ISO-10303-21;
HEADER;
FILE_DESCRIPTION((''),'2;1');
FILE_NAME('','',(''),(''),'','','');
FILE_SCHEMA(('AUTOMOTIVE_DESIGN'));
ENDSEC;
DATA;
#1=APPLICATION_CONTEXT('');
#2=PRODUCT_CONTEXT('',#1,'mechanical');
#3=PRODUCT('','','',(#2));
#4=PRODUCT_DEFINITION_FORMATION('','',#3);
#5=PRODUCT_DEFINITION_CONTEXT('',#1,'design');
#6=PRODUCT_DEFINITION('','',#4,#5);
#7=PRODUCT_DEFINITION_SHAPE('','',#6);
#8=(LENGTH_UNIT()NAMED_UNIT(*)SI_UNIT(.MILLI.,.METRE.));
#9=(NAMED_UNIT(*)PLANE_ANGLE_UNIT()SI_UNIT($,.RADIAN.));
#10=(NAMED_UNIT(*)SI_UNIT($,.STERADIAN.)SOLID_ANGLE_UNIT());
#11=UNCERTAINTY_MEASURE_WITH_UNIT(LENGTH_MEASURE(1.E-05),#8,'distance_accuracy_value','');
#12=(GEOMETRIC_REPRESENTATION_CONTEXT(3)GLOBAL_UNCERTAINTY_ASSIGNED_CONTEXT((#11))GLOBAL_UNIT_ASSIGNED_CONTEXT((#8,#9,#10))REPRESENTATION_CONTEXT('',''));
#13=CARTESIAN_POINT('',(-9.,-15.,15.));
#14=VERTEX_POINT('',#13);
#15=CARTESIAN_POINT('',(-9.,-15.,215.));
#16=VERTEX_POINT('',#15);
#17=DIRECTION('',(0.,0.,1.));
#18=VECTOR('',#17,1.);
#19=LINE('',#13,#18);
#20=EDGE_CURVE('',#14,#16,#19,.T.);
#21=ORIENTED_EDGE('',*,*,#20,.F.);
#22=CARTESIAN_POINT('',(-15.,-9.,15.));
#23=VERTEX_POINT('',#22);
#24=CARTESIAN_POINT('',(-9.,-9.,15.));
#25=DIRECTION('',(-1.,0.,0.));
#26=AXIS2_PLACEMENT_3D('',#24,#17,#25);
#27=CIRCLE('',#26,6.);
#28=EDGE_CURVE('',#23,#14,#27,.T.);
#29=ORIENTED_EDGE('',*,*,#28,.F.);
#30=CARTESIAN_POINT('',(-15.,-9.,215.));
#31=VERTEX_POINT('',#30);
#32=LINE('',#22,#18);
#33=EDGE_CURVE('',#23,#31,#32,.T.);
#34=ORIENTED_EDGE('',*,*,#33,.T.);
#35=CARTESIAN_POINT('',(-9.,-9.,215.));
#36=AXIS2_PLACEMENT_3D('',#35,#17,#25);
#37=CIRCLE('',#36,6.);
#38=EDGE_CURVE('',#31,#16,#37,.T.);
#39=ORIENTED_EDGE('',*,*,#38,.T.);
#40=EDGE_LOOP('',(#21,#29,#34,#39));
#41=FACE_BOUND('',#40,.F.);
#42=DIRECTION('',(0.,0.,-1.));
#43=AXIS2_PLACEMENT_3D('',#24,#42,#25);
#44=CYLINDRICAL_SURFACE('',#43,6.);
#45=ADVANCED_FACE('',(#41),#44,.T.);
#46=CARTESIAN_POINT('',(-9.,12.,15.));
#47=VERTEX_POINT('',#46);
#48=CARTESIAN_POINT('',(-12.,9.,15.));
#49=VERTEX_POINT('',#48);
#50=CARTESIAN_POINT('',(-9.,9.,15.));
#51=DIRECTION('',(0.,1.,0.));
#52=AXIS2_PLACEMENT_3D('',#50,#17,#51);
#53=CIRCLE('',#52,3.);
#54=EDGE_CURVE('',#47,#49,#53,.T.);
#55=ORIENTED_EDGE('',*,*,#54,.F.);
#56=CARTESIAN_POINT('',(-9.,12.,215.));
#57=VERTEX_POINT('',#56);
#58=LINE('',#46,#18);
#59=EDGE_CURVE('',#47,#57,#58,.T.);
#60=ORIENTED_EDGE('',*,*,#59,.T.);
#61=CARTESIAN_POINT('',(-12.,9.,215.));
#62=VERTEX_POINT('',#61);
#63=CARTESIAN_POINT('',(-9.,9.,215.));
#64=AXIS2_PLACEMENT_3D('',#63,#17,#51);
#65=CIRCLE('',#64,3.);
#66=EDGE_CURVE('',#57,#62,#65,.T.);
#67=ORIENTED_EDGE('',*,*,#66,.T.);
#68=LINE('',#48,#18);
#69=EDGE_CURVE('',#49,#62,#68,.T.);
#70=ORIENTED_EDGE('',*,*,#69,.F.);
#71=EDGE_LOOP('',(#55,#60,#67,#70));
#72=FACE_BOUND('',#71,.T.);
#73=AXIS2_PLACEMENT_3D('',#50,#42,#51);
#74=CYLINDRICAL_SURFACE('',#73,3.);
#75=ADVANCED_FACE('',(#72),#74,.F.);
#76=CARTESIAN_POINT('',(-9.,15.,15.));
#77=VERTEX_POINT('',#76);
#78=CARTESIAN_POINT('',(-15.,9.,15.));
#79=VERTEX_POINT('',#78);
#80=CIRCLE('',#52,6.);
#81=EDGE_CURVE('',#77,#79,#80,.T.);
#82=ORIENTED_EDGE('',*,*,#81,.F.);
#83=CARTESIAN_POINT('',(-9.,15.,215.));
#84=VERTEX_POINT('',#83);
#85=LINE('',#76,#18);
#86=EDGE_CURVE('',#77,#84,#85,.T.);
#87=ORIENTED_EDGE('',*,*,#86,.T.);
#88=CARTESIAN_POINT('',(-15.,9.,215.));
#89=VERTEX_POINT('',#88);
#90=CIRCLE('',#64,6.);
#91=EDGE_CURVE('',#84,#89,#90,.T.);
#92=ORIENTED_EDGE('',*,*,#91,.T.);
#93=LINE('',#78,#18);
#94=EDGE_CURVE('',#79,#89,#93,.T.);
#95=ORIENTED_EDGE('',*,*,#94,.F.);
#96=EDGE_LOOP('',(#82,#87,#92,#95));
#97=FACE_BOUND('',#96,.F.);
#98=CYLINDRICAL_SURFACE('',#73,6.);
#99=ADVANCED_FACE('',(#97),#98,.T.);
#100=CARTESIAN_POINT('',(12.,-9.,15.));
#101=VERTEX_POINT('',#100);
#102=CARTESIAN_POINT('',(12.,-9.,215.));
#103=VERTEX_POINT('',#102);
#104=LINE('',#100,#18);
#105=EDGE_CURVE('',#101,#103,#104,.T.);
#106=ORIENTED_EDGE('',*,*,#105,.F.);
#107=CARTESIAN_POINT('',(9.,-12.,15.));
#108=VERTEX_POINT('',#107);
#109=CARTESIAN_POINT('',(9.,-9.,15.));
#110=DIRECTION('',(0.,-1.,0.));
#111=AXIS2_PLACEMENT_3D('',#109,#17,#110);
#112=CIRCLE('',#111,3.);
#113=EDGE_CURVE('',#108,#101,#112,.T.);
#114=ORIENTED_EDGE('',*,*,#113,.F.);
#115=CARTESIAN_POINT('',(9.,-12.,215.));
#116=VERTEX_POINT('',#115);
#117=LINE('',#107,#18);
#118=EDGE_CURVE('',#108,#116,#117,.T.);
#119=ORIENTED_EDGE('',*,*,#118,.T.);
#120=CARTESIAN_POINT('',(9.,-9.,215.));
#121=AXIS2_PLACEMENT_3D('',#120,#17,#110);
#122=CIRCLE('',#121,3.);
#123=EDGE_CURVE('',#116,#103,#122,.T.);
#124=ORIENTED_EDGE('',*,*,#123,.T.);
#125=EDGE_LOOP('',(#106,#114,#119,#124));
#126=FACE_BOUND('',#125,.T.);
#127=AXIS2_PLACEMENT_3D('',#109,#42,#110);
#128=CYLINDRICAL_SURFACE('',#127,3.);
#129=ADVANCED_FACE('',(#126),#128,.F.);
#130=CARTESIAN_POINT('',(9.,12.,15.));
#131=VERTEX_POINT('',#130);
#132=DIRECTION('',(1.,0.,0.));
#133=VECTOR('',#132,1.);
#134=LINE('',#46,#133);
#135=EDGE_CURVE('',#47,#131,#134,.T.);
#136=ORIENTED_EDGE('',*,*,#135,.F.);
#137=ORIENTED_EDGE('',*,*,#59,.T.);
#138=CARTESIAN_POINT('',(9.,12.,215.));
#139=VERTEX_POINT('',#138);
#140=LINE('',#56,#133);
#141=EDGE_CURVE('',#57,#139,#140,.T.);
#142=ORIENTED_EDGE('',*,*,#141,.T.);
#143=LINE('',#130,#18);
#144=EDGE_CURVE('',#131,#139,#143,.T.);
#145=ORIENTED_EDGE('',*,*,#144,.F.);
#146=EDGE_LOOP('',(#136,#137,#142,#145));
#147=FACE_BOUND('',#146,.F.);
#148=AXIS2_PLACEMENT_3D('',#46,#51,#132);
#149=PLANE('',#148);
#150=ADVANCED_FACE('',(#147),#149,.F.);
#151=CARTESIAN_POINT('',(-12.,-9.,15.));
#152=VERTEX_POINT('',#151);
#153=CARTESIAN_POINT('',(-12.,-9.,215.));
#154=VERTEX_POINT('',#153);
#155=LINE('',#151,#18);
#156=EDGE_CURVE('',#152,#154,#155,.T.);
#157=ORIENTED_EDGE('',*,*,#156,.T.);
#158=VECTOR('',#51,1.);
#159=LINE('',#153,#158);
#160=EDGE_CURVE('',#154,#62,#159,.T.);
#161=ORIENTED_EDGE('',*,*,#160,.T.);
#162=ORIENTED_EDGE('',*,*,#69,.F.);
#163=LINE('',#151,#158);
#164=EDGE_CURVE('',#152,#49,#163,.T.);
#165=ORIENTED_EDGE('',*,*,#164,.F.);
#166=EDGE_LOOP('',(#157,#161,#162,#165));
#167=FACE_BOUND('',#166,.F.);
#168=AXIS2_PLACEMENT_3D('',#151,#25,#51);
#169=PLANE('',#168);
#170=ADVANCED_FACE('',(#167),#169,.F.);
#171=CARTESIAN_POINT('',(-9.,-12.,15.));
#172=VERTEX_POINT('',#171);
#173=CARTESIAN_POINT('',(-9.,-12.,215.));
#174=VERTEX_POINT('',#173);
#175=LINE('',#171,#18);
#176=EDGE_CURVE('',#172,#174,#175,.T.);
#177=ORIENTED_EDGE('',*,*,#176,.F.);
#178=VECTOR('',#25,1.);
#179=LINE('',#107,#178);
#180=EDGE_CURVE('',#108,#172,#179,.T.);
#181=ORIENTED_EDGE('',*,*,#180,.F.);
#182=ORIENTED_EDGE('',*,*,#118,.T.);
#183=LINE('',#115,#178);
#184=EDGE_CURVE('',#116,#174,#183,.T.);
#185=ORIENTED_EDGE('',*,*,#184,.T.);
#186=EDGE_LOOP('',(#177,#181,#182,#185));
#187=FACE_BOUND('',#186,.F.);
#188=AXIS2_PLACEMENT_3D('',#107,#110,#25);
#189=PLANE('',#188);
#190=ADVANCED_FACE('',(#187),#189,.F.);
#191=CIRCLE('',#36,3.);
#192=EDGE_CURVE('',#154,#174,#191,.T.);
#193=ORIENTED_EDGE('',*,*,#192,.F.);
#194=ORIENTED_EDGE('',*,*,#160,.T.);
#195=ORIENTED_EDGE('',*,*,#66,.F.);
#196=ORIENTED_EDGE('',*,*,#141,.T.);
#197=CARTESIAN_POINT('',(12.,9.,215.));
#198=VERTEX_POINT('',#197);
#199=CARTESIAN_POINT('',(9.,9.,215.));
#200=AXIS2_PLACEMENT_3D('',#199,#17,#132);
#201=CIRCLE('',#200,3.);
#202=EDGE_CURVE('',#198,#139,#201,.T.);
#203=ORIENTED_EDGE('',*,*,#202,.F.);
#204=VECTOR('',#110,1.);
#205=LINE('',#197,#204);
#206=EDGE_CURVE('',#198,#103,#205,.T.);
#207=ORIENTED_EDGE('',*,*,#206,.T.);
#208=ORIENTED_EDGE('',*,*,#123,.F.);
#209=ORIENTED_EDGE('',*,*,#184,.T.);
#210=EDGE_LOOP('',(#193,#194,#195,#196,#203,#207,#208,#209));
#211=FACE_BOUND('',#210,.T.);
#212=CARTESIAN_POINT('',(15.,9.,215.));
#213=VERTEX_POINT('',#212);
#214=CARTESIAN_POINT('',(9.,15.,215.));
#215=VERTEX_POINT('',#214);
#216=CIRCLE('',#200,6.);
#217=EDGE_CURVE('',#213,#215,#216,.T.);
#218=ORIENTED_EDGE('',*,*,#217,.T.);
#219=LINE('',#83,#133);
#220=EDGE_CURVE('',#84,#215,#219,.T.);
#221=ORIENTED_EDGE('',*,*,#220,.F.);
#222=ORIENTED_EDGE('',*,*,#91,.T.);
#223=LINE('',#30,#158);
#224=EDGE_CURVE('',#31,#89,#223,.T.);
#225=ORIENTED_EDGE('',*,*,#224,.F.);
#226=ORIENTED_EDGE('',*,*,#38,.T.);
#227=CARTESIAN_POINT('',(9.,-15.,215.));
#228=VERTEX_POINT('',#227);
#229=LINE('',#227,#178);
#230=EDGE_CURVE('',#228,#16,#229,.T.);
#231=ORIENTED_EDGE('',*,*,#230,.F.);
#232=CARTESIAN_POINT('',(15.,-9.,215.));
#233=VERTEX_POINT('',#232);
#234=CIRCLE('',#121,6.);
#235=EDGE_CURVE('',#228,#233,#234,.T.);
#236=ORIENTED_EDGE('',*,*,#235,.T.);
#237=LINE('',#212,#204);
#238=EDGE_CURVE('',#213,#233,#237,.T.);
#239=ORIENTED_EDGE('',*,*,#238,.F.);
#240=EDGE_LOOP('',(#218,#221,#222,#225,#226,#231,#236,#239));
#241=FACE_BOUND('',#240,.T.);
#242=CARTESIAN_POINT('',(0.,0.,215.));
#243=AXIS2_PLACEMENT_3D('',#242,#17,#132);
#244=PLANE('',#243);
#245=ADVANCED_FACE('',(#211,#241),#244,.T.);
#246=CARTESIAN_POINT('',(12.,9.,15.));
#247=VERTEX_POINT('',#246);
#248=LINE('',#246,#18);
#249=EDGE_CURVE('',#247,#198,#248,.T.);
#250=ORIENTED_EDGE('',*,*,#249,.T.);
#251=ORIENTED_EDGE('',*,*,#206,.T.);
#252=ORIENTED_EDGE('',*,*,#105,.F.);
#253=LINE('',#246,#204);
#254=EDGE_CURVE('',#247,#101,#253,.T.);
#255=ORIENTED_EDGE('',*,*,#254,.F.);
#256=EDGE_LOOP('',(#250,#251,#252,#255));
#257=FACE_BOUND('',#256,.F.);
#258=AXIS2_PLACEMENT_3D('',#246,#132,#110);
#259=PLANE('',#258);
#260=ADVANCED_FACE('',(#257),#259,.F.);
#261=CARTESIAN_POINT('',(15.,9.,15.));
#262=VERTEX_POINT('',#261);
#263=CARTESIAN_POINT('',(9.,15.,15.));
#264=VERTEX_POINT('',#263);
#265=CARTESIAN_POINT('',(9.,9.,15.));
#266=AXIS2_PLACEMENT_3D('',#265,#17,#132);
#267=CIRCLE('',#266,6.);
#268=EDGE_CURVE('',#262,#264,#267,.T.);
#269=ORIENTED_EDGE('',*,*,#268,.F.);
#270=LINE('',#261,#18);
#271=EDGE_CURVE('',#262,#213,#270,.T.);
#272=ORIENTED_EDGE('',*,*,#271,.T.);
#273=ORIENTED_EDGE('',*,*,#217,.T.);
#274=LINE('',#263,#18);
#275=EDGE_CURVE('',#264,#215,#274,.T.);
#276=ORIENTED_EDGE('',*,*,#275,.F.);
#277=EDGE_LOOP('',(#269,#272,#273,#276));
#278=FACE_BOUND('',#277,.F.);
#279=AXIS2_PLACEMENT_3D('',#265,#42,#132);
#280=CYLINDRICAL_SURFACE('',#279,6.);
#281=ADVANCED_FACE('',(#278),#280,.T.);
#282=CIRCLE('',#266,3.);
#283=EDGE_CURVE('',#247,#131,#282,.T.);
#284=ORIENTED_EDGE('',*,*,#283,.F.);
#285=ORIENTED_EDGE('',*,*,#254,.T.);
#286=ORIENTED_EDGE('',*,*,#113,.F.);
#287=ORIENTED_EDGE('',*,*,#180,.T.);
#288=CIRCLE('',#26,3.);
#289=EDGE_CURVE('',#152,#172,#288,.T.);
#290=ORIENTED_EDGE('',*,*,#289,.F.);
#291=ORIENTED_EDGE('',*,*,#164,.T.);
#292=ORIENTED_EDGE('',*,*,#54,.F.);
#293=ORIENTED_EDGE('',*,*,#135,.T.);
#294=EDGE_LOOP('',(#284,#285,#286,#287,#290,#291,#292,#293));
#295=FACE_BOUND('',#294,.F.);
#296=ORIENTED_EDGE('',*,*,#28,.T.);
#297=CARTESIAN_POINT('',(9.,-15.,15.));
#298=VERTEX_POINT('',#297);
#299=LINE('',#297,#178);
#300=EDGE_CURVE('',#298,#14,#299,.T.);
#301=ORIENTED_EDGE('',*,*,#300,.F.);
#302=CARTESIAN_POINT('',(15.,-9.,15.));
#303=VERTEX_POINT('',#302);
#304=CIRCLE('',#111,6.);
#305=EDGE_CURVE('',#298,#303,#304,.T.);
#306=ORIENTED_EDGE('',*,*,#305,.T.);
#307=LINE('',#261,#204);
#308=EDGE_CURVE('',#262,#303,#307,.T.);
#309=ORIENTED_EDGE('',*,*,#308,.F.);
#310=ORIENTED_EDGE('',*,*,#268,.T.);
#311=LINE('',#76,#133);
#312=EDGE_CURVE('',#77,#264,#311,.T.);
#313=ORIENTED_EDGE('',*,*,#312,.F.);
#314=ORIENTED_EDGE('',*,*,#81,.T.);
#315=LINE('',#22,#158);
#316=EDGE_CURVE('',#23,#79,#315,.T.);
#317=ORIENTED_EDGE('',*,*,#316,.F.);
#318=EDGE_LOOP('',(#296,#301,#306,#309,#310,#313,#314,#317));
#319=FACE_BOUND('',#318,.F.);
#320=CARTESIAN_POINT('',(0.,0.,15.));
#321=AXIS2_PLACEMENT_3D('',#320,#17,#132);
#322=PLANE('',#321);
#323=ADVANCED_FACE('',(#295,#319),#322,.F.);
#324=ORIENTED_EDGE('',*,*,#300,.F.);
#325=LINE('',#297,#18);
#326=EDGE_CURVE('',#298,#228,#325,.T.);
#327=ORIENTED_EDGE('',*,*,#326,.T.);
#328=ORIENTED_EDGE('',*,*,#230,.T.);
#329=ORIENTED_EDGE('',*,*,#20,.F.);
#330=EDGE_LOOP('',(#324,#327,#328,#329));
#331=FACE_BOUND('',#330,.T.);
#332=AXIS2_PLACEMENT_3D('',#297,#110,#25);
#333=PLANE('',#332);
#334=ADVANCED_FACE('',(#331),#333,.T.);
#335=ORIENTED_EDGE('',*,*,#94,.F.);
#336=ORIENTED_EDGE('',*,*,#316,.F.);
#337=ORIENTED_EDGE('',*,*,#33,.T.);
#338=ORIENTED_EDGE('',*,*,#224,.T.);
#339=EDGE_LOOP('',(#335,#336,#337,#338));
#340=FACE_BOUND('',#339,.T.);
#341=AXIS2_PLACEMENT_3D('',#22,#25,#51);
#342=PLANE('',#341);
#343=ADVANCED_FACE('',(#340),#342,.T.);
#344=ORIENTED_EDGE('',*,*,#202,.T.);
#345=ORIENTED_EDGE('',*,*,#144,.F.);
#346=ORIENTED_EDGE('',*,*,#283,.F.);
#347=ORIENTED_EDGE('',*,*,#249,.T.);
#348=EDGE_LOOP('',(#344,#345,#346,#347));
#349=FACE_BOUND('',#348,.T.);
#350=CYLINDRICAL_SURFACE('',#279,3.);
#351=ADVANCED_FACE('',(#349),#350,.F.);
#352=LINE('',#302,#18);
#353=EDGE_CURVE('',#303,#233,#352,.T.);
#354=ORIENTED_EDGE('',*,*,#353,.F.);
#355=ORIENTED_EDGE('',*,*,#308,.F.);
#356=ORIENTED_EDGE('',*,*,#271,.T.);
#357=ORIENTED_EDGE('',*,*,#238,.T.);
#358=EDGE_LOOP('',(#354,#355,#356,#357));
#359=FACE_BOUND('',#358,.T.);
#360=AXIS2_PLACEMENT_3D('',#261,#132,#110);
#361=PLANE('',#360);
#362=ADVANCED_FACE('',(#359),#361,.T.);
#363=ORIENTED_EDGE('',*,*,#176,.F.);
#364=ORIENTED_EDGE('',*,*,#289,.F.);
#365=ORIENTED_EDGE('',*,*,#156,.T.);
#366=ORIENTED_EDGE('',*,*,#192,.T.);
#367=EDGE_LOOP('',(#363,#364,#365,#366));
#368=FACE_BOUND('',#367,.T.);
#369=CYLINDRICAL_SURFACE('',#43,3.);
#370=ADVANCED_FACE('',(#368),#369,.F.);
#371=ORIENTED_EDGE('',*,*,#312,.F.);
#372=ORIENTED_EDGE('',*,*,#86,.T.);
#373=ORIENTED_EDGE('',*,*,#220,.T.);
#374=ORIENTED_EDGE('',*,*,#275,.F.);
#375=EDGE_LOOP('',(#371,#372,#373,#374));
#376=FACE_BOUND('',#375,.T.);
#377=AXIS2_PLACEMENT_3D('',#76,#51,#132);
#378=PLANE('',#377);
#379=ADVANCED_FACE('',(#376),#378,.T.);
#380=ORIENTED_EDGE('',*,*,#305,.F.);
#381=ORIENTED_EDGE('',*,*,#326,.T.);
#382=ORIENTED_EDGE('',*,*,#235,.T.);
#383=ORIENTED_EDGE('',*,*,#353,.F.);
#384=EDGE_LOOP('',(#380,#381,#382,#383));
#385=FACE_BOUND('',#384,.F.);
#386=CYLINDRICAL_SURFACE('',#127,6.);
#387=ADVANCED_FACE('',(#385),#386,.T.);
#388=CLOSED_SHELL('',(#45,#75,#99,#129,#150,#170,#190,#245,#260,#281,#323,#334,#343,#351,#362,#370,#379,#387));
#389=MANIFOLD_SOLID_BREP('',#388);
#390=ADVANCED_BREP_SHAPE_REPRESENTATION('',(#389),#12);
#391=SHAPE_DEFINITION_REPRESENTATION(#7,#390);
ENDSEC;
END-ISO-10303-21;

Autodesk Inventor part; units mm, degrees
ref_plane "Start Plane" through (0, 0, 15) normal (0, 0, 1) x (1, 0, 0)
ref_plane "End Plane" through (0, 0, 215) normal (0, 0, 1) x (1, 0, 0)
sketch "Sketch" plane through (0, 0, 0) normal (0, 0, 1) x (1, 0, 0)
  line L0 (-15, -9) -> (-15, 9)
  line L1 (-9, 15) -> (9, 15)
  line L2 (15, 9) -> (15, -9)
  line L3 (9, -15) -> (-9, -15)
  arc A0 (-15, -9) -> (-9, -15) centre (-9, -9) ccw
  arc A1 (-9, 15) -> (-15, 9) centre (-9, 9) ccw
  arc A2 (15, 9) -> (9, 15) centre (9, 9) ccw
  arc A3 (9, -15) -> (15, -9) centre (9, -9) ccw
  arc A4 (-9, 12) -> (-12, 9) centre (-9, 9) ccw
  line L4 (-9, 12) -> (9, 12)
  arc A5 (12, 9) -> (9, 12) centre (9, 9) ccw
  line L5 (12, 9) -> (12, -9)
  arc A6 (9, -12) -> (12, -9) centre (9, -9) ccw
  line L6 (9, -12) -> (-9, -12)
  arc A7 (-12, -9) -> (-9, -12) centre (-9, -9) ccw
  line L7 (-12, -9) -> (-12, 9)
  line L8 (0, 22.7397) -> (0, -22.7397) construction
  line L9 (-22.7397, 0) -> (22.7397, 0) construction
  dimension "d7" = 6
  dimension "d10" = 30
  dimension "d11" = 30
  dimension "d12" = 3
  dimension "d15" = 15
  dimension "d16" = 15
extrude "Body" add sketch "Sketch" along normal up to surface (200 mm away) from surface at 15
sketch "Sketch3" plane through (0, 0, 0) normal (0, 0, 1) x (1, 0, 0)
  line L0 (0, 0) -> (10, 0)
ref_plane "Work Plane3" through (0, 0, 0) normal (0, -1, 0) x (1, 0, 0)
ref_plane "Work Plane4" through (678.5, -9, 215) normal (0, 0, 1) x (1, 0, 0)
split "Split1" plane through (678.5, -9, 215) removes the side toward (0, 0, 1)
ref_plane "Work Plane5" through (-521.5, -9, 15) normal (0, 0, -1) x (-1, 0, 0)
split "Split2" plane through (-521.5, -9, 15) removes the side toward (0, 0, -1)
sketch "Sketch4" plane through (0, 0, 0) normal (0, -1, 0) x (1, 0, 0)
  line L0 (-2, 15) -> (12, 15) projected
  line L1 (-2, 215) -> (12, 215) projected
  dimension "d18" = 200
equation "\"d7\" = G_IR"
equation "\"d10\" = G_H"
equation "\"d11\" = G_W"
equation "\"d12\" = G_T"
equation "\"d15\" = 0.5 * d10"
equation "\"d16\" = 0.5 * d11"
equation "\"d3\" = G_L"
equation "\"G_W\" = 30"
equation "\"G_H\" = 30"
equation "\"G_T\" = 3"
equation "\"G_IR\" = 6"
equation "\"G_L\" = d18"
equation "\"G_OFFSET_START\" = -15"
equation "\"G_OFFSET_END\" = -15"
equation "\"d13\" = -G_OFFSET_START"
equation "\"d14\" = G_OFFSET_END + B_L"
equation "\"B_L\" = 230"
properties part number "DIN EN 10219-2 - 30 x 30 x 3  - 200" material "Steel, Mild"
